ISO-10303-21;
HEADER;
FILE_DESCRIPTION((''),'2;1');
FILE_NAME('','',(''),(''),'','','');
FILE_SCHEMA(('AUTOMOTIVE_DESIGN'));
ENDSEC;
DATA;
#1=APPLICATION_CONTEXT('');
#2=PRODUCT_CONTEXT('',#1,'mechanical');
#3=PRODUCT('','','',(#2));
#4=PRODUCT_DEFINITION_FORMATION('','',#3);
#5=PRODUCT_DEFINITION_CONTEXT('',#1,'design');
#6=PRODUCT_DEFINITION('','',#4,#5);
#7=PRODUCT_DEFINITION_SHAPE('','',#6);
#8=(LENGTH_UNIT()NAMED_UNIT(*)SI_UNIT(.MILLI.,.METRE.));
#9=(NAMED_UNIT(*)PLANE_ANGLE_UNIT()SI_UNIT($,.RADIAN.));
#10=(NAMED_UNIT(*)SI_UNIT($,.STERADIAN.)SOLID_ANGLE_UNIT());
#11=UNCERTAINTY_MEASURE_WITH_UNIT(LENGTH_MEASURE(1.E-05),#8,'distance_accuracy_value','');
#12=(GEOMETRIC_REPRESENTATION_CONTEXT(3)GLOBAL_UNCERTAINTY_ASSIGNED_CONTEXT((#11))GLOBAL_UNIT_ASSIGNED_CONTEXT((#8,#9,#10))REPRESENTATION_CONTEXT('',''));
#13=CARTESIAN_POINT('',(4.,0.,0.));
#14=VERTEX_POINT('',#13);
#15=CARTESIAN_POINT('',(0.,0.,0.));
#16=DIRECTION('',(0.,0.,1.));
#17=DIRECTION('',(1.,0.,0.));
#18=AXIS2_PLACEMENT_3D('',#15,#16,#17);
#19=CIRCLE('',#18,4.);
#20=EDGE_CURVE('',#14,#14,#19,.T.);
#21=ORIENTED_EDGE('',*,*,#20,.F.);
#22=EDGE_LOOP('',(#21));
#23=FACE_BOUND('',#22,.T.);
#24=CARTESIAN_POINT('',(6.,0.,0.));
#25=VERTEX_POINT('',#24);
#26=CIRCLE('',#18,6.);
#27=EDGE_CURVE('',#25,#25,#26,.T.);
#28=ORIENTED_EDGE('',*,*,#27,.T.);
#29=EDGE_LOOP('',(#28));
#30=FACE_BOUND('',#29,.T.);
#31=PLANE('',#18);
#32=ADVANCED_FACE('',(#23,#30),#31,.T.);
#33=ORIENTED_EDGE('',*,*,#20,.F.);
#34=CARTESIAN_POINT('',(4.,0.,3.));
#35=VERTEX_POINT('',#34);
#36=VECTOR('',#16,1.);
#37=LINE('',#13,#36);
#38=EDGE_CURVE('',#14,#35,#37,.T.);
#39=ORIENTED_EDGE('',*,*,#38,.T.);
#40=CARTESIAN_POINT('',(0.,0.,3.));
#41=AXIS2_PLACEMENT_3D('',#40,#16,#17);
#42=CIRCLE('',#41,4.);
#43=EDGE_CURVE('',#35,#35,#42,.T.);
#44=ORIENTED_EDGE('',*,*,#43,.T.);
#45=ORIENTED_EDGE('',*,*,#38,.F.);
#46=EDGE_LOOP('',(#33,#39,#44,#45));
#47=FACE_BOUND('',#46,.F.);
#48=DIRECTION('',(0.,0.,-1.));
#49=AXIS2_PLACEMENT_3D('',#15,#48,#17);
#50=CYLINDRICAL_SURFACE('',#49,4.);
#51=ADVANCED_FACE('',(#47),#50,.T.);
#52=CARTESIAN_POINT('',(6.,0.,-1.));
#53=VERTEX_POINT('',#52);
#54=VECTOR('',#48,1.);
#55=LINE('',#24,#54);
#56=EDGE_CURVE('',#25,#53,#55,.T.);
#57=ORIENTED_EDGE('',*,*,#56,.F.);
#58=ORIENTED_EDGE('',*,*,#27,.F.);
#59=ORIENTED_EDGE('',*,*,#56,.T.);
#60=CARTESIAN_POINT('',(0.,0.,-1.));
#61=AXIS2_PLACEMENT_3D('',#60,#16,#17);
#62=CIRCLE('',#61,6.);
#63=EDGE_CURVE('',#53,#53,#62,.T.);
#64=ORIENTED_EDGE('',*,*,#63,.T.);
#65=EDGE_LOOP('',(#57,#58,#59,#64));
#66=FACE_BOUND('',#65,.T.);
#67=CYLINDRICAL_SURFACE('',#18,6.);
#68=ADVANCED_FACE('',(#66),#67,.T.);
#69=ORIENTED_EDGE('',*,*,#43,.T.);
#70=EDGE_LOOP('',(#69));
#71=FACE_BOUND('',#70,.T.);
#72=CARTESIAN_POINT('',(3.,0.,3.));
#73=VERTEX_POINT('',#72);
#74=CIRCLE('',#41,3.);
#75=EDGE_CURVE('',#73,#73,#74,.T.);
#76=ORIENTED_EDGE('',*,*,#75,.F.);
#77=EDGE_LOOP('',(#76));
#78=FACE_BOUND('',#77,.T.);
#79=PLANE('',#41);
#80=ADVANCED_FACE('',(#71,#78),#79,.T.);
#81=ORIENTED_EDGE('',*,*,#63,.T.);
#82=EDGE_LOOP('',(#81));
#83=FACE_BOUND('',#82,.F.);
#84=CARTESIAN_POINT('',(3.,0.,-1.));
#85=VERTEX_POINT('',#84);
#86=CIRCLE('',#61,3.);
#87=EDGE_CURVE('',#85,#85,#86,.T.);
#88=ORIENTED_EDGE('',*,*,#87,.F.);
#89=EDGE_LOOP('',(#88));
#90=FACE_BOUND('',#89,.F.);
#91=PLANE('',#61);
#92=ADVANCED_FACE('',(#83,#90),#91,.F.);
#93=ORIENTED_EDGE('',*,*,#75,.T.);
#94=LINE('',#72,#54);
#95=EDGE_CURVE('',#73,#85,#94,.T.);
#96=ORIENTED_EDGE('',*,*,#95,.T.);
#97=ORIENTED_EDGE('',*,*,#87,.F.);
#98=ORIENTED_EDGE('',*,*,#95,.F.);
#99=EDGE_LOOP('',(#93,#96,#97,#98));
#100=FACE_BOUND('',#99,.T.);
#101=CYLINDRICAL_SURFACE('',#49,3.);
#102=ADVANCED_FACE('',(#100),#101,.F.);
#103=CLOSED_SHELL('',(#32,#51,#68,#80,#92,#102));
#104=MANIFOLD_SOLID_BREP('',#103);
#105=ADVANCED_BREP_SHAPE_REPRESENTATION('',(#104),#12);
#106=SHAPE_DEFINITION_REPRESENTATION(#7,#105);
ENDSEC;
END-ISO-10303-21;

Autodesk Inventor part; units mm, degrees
ref_plane "YZ Plane" through (0, 0, 0) normal (1, 0, 0) x (0, 1, 0)
ref_plane "XZ Plane" through (0, 0, 0) normal (0, 1, 0) x (-1, 0, 0)
ref_plane "XY Plane" through (0, 0, 0) normal (0, 0, 1) x (1, 0, 0)
sketch "スケッチ1" plane through (0, 0, 0) normal (0, 0, 1) x (1, 0, 0)
  circle A0 centre (0, 0) radius 3
  circle A1 centre (0, 0) radius 4
  circle A2 centre (0, 0) radius 6
  dimension "d0" = 6
  dimension "d1" = 8
  dimension "d2" = 12
extrude "押し出し1" add sketch "スケッチ1" along normal blind 3 contours A1
extrude "押し出し2" add sketch "スケッチ1" against normal blind 1 contours A1 | A2
properties part number "ドライメットブッシュ 内径6フランジ付き" material "鋼"
